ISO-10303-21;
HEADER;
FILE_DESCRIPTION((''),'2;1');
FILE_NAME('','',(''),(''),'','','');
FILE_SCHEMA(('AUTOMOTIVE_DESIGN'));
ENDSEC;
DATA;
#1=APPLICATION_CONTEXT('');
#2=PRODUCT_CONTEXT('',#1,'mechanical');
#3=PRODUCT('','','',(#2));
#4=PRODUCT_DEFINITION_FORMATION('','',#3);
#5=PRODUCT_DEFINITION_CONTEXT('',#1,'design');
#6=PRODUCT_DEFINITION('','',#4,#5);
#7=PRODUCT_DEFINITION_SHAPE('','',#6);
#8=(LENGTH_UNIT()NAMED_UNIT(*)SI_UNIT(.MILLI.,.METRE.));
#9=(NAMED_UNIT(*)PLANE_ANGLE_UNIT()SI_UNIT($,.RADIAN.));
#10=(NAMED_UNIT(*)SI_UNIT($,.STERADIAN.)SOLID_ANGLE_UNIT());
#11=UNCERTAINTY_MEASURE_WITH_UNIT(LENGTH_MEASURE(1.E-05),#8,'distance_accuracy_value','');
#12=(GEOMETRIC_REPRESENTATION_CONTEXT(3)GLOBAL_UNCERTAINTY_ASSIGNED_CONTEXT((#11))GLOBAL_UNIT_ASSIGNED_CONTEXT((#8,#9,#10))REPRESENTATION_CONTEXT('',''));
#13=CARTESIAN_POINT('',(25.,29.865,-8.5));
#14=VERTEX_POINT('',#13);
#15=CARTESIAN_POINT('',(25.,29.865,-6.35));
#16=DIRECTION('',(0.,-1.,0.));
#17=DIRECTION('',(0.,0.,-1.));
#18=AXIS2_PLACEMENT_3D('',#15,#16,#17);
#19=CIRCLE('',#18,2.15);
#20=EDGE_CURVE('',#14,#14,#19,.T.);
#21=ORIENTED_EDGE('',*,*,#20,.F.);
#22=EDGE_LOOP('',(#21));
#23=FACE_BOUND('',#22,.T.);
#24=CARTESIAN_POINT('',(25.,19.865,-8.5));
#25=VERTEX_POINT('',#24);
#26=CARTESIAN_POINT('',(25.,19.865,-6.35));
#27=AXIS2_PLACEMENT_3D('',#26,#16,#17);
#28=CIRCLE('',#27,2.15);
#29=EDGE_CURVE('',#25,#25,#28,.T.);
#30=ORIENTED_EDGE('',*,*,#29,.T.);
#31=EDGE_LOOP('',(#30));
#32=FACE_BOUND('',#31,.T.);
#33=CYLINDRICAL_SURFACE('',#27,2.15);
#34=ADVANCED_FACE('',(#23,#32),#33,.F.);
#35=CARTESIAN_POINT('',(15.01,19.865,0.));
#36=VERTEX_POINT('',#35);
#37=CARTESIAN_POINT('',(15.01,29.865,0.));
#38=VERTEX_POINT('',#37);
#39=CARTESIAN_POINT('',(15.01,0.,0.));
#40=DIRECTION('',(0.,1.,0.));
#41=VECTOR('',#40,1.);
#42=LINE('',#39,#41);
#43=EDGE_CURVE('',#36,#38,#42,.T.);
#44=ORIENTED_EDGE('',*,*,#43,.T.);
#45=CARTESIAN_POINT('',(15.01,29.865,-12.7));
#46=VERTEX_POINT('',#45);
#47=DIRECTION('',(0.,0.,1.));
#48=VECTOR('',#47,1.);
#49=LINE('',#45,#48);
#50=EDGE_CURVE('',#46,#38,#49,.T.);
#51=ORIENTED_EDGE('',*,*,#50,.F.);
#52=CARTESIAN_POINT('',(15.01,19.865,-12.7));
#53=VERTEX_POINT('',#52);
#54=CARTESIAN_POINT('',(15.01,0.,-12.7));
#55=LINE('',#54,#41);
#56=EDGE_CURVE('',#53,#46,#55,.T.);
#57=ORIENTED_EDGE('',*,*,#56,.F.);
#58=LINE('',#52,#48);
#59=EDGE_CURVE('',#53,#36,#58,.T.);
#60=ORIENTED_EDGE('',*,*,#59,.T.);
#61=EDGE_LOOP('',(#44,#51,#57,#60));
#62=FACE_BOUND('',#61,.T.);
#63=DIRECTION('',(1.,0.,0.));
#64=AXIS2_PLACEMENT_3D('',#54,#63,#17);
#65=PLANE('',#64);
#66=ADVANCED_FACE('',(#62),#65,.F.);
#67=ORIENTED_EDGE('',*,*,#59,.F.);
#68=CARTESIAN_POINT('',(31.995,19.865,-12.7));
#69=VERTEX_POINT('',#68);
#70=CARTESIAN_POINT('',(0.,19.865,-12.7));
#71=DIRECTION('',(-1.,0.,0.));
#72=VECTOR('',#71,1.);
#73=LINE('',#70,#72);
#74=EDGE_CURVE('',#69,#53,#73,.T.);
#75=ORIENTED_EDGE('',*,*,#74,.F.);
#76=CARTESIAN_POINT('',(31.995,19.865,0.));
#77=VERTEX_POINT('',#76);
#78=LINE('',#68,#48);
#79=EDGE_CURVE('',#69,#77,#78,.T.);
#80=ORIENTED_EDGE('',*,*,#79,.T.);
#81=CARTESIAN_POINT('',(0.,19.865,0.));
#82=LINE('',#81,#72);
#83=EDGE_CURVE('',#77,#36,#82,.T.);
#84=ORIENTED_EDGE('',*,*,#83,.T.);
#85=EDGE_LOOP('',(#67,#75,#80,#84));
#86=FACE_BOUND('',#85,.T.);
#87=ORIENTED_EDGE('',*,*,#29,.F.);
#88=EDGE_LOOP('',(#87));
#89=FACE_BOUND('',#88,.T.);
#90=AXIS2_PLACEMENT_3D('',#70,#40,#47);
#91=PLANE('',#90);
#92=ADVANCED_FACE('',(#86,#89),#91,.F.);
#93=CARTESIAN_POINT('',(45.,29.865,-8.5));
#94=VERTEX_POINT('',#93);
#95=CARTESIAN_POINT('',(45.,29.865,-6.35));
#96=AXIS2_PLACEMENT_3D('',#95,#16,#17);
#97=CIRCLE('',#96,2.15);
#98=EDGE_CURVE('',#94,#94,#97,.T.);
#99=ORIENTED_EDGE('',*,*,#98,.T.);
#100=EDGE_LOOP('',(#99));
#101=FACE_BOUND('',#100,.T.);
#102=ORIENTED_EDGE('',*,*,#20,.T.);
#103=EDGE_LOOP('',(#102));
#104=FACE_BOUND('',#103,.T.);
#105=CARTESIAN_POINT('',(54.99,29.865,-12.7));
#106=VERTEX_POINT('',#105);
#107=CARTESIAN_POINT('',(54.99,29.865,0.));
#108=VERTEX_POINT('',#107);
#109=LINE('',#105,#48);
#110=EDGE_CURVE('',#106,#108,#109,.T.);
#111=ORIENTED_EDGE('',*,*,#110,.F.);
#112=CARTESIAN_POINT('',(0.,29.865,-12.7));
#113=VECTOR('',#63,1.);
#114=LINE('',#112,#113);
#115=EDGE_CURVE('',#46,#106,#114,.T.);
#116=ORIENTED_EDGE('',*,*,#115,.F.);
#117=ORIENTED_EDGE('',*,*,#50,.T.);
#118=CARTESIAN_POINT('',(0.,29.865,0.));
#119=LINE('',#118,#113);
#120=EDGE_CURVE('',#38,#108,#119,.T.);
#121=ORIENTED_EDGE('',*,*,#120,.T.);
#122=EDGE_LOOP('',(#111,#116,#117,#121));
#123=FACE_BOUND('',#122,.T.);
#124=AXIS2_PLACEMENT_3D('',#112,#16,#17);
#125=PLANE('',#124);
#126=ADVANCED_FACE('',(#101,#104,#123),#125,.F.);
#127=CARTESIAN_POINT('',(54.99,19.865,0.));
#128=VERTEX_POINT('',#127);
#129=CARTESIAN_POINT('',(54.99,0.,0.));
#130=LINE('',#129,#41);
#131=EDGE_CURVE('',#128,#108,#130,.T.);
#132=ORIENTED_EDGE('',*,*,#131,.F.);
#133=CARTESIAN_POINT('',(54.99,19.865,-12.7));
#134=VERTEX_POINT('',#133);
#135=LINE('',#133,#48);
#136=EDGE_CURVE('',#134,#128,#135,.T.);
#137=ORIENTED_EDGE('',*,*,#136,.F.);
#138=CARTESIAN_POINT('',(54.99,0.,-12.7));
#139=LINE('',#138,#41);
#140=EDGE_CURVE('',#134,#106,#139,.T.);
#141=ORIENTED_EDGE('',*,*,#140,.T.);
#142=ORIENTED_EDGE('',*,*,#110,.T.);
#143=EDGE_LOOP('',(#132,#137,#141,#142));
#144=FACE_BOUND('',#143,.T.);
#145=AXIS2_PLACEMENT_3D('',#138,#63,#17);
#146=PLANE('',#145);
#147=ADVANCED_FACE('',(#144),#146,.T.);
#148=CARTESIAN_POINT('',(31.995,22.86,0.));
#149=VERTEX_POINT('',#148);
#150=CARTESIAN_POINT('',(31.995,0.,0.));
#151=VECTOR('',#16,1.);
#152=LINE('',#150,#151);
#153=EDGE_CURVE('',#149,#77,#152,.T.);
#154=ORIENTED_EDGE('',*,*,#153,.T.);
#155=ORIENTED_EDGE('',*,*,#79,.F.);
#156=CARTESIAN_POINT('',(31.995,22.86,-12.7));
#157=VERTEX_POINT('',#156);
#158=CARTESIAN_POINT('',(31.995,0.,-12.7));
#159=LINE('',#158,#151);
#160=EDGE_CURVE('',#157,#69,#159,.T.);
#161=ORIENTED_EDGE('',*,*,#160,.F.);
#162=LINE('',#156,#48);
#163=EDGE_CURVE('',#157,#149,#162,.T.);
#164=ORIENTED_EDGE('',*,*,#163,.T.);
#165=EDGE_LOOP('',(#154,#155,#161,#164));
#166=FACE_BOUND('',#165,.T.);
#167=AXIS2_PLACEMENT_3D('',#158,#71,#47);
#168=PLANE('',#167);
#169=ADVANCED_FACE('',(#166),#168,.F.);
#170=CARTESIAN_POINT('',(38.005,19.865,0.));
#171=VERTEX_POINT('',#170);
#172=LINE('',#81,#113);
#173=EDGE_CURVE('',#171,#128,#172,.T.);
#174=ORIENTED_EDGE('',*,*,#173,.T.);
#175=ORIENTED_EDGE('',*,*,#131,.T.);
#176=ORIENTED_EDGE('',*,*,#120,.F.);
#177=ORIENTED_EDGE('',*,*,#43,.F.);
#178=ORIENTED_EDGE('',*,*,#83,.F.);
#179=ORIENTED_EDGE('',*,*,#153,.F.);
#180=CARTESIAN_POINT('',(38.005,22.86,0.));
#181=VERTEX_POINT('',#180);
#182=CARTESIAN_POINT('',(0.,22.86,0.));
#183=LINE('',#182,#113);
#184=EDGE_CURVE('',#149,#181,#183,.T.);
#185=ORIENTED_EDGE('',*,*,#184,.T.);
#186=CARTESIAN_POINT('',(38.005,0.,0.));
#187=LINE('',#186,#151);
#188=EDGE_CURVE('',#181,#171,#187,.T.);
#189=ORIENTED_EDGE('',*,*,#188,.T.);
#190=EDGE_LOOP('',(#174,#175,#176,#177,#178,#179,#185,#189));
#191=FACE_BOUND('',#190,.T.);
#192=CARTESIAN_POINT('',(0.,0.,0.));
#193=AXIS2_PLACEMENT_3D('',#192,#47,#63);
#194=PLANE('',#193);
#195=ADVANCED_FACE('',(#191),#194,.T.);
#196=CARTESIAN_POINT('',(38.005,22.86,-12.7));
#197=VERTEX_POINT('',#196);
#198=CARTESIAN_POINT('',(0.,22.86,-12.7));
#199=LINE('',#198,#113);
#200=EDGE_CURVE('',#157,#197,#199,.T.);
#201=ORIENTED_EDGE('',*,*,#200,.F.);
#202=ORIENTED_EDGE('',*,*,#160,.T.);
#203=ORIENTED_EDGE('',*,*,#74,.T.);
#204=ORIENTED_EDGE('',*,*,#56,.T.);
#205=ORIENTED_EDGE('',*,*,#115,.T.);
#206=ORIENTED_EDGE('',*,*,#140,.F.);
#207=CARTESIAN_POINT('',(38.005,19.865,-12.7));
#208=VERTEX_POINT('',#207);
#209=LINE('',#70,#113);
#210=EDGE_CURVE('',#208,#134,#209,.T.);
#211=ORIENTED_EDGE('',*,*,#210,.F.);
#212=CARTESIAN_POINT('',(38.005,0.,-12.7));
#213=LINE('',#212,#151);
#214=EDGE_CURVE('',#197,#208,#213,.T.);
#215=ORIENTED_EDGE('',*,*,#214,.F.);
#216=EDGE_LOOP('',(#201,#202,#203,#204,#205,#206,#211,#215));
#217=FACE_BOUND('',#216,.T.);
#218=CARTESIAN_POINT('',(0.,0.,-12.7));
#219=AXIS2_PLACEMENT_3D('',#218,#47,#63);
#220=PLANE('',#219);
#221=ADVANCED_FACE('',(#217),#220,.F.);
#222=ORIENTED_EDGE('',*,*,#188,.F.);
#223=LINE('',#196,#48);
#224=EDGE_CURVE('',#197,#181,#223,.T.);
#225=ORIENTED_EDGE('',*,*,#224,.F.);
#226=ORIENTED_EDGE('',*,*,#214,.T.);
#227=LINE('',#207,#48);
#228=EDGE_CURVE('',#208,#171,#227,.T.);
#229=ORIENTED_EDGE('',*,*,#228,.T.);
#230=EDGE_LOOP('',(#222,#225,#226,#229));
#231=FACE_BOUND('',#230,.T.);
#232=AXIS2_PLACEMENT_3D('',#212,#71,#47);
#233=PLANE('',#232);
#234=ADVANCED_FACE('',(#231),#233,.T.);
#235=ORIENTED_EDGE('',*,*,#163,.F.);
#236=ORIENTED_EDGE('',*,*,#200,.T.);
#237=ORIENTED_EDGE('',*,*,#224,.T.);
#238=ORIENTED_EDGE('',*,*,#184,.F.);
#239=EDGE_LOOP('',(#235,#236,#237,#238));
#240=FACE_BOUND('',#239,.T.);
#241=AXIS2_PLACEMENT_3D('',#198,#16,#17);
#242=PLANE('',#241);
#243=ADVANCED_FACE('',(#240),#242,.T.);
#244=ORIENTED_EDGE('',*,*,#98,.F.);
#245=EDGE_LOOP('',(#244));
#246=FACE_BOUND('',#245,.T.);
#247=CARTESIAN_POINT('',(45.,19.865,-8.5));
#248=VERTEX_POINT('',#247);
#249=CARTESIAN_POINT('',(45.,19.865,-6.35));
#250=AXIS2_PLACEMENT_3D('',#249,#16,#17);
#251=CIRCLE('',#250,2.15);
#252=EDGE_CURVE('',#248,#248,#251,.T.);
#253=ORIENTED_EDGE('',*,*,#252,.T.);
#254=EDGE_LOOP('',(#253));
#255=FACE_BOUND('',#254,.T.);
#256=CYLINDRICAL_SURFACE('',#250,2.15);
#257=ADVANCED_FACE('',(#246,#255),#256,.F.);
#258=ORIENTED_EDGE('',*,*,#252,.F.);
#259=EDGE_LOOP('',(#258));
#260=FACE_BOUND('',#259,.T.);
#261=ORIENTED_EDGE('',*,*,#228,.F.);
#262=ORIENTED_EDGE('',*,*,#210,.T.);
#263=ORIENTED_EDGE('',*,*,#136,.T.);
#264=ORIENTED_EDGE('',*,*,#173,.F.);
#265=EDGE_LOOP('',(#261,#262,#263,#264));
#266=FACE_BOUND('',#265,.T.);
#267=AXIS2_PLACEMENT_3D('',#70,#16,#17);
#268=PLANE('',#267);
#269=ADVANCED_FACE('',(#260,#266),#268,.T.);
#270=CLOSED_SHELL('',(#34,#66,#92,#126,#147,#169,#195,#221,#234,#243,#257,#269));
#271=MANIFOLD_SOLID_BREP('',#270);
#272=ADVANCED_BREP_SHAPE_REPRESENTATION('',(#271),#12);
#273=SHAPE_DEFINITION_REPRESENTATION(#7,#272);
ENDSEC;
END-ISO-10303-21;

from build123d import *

# Parameters (mm, degrees)
BOSS_EXTRUDE1_DEPTH  = 12.7
M4_CLEARANCE_HOLE1_D = 4.3


with BuildPart() as part:
    # Sketch1 → Boss-Extrude1 (new body)
    with BuildSketch(Plane.XY):
        Polygon((54.99, 29.865), (15.01, 29.865), (15.01, 19.865), (31.995, 19.865), (31.995, 22.86), (38.005, 22.86), (38.005, 19.865), (54.99, 19.865), align=None)
    extrude(amount=-BOSS_EXTRUDE1_DEPTH)

    # M4 Clearance Hole1 (through all)
    with Locations(Plane(origin=(25, 19.865, -6.35), x_dir=(0, 0, -1), z_dir=(0, -1, 0))):
        with Locations((0, 0), (0, 20)):
            Hole(M4_CLEARANCE_HOLE1_D / 2)


solid = part.part
